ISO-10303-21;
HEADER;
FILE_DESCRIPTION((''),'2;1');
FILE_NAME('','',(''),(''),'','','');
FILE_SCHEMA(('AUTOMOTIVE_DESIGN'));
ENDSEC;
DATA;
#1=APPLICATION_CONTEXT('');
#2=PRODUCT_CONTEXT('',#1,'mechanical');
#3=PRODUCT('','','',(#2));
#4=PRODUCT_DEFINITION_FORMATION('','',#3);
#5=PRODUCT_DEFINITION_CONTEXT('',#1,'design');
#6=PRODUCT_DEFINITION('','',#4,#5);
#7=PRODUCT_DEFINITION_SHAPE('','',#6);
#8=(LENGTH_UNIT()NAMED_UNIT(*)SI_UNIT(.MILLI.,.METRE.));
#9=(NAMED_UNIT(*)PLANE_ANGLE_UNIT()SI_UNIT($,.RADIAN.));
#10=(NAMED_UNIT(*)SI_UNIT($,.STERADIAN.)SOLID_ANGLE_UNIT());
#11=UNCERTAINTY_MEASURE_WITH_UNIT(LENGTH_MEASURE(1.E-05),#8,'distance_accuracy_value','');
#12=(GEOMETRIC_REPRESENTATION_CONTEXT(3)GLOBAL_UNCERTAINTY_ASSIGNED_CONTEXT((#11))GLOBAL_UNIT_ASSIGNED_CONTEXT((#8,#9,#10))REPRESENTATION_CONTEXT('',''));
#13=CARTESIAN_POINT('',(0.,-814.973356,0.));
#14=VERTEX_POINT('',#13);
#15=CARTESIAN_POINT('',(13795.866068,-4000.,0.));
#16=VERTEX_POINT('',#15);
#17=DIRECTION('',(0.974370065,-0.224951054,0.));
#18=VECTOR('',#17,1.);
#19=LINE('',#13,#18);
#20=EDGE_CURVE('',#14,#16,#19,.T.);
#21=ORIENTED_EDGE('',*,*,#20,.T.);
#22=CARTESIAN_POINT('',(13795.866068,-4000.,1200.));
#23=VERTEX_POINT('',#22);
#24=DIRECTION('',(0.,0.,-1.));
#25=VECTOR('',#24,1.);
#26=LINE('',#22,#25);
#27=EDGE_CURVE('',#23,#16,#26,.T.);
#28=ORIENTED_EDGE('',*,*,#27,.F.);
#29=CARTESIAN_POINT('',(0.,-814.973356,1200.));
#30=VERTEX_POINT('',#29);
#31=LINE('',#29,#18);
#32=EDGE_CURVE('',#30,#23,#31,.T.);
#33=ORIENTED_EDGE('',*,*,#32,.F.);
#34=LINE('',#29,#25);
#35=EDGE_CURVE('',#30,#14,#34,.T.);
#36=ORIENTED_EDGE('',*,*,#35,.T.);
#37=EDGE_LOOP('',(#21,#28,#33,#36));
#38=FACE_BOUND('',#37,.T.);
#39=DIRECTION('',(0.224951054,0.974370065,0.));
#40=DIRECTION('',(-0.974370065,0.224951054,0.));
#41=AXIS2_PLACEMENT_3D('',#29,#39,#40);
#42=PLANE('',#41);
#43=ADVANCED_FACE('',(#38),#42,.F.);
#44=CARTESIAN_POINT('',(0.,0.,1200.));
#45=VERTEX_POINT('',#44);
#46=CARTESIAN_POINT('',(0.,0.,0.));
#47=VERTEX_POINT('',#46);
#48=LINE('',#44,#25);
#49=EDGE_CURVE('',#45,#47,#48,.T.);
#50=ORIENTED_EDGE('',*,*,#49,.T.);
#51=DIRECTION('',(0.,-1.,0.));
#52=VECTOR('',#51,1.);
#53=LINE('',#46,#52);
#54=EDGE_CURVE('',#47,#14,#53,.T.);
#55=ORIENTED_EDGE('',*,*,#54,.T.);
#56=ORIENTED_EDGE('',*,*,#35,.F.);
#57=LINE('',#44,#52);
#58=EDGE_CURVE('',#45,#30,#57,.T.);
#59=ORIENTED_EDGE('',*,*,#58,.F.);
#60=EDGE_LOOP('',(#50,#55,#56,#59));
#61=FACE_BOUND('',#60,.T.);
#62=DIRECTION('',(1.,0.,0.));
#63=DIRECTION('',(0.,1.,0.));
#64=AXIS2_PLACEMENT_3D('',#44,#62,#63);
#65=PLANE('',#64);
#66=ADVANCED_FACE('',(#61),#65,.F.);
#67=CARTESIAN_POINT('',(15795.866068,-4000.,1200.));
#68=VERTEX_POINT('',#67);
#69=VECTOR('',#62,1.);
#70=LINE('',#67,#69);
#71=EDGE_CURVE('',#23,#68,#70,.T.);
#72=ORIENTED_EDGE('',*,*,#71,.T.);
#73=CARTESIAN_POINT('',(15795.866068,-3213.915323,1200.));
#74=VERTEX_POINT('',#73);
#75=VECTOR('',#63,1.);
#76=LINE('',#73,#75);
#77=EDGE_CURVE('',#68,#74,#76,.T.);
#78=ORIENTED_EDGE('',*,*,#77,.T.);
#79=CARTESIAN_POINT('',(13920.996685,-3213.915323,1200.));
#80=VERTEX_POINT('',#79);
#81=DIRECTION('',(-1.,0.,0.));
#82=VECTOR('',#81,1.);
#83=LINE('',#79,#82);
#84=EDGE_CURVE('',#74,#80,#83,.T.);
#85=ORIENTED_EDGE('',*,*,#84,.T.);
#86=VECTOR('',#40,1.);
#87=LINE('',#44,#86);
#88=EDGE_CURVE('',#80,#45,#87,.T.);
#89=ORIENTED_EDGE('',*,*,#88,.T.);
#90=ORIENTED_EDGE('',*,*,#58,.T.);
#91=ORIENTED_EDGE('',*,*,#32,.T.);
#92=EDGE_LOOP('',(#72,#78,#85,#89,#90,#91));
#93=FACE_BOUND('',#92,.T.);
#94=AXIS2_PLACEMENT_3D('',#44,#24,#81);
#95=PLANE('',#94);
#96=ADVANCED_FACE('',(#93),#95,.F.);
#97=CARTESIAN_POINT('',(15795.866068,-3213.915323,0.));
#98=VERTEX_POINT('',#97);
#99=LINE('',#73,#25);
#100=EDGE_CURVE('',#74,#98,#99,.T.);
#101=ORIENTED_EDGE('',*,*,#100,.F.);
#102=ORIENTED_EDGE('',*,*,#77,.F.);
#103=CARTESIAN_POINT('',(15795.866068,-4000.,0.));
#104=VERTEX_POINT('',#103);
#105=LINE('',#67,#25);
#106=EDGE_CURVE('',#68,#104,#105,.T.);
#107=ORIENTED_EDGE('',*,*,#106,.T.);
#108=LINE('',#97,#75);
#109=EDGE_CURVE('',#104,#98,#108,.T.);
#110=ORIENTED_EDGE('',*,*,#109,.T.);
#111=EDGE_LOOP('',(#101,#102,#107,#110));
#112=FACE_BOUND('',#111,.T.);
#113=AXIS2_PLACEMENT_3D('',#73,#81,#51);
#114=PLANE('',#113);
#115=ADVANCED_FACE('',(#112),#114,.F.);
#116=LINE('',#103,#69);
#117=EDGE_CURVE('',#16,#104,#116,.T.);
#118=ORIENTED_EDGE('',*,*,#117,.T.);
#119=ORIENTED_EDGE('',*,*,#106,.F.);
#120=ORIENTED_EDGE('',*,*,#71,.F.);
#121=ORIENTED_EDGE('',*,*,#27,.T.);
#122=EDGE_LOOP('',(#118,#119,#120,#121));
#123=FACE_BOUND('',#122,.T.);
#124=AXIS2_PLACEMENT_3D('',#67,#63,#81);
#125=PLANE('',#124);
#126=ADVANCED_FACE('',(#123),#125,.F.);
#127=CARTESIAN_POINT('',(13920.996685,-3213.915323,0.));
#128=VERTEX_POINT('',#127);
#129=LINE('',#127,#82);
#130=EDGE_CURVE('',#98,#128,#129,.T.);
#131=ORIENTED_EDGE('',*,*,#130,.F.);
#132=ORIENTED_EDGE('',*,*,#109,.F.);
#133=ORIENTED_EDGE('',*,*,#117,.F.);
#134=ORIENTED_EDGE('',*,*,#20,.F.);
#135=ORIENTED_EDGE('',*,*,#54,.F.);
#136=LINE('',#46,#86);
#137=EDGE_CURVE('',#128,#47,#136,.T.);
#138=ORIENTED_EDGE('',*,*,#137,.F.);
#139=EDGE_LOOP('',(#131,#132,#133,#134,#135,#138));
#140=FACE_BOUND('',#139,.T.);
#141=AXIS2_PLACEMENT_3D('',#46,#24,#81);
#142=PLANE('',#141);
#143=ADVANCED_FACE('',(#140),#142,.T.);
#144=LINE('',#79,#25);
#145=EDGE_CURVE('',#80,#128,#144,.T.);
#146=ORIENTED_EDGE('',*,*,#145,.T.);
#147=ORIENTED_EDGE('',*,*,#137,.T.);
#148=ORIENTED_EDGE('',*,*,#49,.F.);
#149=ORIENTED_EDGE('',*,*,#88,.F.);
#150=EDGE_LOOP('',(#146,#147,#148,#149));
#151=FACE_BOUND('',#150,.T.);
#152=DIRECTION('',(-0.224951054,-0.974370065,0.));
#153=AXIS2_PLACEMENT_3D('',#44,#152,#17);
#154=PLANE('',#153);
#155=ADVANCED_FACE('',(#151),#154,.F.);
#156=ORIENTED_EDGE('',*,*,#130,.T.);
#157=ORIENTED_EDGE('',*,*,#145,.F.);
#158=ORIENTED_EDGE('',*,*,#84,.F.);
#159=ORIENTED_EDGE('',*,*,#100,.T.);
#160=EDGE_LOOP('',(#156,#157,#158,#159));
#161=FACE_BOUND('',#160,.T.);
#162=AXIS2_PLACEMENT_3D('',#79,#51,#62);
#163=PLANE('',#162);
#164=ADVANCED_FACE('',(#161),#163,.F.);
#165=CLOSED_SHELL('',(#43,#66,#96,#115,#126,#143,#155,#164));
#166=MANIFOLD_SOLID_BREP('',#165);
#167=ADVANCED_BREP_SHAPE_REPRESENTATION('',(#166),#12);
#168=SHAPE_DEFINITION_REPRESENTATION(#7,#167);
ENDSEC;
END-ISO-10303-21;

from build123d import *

# Parameters (mm, degrees)
SALIENTE_EXTRUIR1_DEPTH = 1200


with BuildPart() as part:
    # Croquis1 → Saliente-Extruir1 (new body)
    with BuildSketch(Plane.XY):
        Polygon((0, 0), (13920.996685194, -3213.915323376), (15795.866067594, -3213.915323376), (15795.866067594, -4000), (13795.866067594, -4000), (0, -814.973355964), align=None)
    extrude(amount=SALIENTE_EXTRUIR1_DEPTH)


solid = part.part
